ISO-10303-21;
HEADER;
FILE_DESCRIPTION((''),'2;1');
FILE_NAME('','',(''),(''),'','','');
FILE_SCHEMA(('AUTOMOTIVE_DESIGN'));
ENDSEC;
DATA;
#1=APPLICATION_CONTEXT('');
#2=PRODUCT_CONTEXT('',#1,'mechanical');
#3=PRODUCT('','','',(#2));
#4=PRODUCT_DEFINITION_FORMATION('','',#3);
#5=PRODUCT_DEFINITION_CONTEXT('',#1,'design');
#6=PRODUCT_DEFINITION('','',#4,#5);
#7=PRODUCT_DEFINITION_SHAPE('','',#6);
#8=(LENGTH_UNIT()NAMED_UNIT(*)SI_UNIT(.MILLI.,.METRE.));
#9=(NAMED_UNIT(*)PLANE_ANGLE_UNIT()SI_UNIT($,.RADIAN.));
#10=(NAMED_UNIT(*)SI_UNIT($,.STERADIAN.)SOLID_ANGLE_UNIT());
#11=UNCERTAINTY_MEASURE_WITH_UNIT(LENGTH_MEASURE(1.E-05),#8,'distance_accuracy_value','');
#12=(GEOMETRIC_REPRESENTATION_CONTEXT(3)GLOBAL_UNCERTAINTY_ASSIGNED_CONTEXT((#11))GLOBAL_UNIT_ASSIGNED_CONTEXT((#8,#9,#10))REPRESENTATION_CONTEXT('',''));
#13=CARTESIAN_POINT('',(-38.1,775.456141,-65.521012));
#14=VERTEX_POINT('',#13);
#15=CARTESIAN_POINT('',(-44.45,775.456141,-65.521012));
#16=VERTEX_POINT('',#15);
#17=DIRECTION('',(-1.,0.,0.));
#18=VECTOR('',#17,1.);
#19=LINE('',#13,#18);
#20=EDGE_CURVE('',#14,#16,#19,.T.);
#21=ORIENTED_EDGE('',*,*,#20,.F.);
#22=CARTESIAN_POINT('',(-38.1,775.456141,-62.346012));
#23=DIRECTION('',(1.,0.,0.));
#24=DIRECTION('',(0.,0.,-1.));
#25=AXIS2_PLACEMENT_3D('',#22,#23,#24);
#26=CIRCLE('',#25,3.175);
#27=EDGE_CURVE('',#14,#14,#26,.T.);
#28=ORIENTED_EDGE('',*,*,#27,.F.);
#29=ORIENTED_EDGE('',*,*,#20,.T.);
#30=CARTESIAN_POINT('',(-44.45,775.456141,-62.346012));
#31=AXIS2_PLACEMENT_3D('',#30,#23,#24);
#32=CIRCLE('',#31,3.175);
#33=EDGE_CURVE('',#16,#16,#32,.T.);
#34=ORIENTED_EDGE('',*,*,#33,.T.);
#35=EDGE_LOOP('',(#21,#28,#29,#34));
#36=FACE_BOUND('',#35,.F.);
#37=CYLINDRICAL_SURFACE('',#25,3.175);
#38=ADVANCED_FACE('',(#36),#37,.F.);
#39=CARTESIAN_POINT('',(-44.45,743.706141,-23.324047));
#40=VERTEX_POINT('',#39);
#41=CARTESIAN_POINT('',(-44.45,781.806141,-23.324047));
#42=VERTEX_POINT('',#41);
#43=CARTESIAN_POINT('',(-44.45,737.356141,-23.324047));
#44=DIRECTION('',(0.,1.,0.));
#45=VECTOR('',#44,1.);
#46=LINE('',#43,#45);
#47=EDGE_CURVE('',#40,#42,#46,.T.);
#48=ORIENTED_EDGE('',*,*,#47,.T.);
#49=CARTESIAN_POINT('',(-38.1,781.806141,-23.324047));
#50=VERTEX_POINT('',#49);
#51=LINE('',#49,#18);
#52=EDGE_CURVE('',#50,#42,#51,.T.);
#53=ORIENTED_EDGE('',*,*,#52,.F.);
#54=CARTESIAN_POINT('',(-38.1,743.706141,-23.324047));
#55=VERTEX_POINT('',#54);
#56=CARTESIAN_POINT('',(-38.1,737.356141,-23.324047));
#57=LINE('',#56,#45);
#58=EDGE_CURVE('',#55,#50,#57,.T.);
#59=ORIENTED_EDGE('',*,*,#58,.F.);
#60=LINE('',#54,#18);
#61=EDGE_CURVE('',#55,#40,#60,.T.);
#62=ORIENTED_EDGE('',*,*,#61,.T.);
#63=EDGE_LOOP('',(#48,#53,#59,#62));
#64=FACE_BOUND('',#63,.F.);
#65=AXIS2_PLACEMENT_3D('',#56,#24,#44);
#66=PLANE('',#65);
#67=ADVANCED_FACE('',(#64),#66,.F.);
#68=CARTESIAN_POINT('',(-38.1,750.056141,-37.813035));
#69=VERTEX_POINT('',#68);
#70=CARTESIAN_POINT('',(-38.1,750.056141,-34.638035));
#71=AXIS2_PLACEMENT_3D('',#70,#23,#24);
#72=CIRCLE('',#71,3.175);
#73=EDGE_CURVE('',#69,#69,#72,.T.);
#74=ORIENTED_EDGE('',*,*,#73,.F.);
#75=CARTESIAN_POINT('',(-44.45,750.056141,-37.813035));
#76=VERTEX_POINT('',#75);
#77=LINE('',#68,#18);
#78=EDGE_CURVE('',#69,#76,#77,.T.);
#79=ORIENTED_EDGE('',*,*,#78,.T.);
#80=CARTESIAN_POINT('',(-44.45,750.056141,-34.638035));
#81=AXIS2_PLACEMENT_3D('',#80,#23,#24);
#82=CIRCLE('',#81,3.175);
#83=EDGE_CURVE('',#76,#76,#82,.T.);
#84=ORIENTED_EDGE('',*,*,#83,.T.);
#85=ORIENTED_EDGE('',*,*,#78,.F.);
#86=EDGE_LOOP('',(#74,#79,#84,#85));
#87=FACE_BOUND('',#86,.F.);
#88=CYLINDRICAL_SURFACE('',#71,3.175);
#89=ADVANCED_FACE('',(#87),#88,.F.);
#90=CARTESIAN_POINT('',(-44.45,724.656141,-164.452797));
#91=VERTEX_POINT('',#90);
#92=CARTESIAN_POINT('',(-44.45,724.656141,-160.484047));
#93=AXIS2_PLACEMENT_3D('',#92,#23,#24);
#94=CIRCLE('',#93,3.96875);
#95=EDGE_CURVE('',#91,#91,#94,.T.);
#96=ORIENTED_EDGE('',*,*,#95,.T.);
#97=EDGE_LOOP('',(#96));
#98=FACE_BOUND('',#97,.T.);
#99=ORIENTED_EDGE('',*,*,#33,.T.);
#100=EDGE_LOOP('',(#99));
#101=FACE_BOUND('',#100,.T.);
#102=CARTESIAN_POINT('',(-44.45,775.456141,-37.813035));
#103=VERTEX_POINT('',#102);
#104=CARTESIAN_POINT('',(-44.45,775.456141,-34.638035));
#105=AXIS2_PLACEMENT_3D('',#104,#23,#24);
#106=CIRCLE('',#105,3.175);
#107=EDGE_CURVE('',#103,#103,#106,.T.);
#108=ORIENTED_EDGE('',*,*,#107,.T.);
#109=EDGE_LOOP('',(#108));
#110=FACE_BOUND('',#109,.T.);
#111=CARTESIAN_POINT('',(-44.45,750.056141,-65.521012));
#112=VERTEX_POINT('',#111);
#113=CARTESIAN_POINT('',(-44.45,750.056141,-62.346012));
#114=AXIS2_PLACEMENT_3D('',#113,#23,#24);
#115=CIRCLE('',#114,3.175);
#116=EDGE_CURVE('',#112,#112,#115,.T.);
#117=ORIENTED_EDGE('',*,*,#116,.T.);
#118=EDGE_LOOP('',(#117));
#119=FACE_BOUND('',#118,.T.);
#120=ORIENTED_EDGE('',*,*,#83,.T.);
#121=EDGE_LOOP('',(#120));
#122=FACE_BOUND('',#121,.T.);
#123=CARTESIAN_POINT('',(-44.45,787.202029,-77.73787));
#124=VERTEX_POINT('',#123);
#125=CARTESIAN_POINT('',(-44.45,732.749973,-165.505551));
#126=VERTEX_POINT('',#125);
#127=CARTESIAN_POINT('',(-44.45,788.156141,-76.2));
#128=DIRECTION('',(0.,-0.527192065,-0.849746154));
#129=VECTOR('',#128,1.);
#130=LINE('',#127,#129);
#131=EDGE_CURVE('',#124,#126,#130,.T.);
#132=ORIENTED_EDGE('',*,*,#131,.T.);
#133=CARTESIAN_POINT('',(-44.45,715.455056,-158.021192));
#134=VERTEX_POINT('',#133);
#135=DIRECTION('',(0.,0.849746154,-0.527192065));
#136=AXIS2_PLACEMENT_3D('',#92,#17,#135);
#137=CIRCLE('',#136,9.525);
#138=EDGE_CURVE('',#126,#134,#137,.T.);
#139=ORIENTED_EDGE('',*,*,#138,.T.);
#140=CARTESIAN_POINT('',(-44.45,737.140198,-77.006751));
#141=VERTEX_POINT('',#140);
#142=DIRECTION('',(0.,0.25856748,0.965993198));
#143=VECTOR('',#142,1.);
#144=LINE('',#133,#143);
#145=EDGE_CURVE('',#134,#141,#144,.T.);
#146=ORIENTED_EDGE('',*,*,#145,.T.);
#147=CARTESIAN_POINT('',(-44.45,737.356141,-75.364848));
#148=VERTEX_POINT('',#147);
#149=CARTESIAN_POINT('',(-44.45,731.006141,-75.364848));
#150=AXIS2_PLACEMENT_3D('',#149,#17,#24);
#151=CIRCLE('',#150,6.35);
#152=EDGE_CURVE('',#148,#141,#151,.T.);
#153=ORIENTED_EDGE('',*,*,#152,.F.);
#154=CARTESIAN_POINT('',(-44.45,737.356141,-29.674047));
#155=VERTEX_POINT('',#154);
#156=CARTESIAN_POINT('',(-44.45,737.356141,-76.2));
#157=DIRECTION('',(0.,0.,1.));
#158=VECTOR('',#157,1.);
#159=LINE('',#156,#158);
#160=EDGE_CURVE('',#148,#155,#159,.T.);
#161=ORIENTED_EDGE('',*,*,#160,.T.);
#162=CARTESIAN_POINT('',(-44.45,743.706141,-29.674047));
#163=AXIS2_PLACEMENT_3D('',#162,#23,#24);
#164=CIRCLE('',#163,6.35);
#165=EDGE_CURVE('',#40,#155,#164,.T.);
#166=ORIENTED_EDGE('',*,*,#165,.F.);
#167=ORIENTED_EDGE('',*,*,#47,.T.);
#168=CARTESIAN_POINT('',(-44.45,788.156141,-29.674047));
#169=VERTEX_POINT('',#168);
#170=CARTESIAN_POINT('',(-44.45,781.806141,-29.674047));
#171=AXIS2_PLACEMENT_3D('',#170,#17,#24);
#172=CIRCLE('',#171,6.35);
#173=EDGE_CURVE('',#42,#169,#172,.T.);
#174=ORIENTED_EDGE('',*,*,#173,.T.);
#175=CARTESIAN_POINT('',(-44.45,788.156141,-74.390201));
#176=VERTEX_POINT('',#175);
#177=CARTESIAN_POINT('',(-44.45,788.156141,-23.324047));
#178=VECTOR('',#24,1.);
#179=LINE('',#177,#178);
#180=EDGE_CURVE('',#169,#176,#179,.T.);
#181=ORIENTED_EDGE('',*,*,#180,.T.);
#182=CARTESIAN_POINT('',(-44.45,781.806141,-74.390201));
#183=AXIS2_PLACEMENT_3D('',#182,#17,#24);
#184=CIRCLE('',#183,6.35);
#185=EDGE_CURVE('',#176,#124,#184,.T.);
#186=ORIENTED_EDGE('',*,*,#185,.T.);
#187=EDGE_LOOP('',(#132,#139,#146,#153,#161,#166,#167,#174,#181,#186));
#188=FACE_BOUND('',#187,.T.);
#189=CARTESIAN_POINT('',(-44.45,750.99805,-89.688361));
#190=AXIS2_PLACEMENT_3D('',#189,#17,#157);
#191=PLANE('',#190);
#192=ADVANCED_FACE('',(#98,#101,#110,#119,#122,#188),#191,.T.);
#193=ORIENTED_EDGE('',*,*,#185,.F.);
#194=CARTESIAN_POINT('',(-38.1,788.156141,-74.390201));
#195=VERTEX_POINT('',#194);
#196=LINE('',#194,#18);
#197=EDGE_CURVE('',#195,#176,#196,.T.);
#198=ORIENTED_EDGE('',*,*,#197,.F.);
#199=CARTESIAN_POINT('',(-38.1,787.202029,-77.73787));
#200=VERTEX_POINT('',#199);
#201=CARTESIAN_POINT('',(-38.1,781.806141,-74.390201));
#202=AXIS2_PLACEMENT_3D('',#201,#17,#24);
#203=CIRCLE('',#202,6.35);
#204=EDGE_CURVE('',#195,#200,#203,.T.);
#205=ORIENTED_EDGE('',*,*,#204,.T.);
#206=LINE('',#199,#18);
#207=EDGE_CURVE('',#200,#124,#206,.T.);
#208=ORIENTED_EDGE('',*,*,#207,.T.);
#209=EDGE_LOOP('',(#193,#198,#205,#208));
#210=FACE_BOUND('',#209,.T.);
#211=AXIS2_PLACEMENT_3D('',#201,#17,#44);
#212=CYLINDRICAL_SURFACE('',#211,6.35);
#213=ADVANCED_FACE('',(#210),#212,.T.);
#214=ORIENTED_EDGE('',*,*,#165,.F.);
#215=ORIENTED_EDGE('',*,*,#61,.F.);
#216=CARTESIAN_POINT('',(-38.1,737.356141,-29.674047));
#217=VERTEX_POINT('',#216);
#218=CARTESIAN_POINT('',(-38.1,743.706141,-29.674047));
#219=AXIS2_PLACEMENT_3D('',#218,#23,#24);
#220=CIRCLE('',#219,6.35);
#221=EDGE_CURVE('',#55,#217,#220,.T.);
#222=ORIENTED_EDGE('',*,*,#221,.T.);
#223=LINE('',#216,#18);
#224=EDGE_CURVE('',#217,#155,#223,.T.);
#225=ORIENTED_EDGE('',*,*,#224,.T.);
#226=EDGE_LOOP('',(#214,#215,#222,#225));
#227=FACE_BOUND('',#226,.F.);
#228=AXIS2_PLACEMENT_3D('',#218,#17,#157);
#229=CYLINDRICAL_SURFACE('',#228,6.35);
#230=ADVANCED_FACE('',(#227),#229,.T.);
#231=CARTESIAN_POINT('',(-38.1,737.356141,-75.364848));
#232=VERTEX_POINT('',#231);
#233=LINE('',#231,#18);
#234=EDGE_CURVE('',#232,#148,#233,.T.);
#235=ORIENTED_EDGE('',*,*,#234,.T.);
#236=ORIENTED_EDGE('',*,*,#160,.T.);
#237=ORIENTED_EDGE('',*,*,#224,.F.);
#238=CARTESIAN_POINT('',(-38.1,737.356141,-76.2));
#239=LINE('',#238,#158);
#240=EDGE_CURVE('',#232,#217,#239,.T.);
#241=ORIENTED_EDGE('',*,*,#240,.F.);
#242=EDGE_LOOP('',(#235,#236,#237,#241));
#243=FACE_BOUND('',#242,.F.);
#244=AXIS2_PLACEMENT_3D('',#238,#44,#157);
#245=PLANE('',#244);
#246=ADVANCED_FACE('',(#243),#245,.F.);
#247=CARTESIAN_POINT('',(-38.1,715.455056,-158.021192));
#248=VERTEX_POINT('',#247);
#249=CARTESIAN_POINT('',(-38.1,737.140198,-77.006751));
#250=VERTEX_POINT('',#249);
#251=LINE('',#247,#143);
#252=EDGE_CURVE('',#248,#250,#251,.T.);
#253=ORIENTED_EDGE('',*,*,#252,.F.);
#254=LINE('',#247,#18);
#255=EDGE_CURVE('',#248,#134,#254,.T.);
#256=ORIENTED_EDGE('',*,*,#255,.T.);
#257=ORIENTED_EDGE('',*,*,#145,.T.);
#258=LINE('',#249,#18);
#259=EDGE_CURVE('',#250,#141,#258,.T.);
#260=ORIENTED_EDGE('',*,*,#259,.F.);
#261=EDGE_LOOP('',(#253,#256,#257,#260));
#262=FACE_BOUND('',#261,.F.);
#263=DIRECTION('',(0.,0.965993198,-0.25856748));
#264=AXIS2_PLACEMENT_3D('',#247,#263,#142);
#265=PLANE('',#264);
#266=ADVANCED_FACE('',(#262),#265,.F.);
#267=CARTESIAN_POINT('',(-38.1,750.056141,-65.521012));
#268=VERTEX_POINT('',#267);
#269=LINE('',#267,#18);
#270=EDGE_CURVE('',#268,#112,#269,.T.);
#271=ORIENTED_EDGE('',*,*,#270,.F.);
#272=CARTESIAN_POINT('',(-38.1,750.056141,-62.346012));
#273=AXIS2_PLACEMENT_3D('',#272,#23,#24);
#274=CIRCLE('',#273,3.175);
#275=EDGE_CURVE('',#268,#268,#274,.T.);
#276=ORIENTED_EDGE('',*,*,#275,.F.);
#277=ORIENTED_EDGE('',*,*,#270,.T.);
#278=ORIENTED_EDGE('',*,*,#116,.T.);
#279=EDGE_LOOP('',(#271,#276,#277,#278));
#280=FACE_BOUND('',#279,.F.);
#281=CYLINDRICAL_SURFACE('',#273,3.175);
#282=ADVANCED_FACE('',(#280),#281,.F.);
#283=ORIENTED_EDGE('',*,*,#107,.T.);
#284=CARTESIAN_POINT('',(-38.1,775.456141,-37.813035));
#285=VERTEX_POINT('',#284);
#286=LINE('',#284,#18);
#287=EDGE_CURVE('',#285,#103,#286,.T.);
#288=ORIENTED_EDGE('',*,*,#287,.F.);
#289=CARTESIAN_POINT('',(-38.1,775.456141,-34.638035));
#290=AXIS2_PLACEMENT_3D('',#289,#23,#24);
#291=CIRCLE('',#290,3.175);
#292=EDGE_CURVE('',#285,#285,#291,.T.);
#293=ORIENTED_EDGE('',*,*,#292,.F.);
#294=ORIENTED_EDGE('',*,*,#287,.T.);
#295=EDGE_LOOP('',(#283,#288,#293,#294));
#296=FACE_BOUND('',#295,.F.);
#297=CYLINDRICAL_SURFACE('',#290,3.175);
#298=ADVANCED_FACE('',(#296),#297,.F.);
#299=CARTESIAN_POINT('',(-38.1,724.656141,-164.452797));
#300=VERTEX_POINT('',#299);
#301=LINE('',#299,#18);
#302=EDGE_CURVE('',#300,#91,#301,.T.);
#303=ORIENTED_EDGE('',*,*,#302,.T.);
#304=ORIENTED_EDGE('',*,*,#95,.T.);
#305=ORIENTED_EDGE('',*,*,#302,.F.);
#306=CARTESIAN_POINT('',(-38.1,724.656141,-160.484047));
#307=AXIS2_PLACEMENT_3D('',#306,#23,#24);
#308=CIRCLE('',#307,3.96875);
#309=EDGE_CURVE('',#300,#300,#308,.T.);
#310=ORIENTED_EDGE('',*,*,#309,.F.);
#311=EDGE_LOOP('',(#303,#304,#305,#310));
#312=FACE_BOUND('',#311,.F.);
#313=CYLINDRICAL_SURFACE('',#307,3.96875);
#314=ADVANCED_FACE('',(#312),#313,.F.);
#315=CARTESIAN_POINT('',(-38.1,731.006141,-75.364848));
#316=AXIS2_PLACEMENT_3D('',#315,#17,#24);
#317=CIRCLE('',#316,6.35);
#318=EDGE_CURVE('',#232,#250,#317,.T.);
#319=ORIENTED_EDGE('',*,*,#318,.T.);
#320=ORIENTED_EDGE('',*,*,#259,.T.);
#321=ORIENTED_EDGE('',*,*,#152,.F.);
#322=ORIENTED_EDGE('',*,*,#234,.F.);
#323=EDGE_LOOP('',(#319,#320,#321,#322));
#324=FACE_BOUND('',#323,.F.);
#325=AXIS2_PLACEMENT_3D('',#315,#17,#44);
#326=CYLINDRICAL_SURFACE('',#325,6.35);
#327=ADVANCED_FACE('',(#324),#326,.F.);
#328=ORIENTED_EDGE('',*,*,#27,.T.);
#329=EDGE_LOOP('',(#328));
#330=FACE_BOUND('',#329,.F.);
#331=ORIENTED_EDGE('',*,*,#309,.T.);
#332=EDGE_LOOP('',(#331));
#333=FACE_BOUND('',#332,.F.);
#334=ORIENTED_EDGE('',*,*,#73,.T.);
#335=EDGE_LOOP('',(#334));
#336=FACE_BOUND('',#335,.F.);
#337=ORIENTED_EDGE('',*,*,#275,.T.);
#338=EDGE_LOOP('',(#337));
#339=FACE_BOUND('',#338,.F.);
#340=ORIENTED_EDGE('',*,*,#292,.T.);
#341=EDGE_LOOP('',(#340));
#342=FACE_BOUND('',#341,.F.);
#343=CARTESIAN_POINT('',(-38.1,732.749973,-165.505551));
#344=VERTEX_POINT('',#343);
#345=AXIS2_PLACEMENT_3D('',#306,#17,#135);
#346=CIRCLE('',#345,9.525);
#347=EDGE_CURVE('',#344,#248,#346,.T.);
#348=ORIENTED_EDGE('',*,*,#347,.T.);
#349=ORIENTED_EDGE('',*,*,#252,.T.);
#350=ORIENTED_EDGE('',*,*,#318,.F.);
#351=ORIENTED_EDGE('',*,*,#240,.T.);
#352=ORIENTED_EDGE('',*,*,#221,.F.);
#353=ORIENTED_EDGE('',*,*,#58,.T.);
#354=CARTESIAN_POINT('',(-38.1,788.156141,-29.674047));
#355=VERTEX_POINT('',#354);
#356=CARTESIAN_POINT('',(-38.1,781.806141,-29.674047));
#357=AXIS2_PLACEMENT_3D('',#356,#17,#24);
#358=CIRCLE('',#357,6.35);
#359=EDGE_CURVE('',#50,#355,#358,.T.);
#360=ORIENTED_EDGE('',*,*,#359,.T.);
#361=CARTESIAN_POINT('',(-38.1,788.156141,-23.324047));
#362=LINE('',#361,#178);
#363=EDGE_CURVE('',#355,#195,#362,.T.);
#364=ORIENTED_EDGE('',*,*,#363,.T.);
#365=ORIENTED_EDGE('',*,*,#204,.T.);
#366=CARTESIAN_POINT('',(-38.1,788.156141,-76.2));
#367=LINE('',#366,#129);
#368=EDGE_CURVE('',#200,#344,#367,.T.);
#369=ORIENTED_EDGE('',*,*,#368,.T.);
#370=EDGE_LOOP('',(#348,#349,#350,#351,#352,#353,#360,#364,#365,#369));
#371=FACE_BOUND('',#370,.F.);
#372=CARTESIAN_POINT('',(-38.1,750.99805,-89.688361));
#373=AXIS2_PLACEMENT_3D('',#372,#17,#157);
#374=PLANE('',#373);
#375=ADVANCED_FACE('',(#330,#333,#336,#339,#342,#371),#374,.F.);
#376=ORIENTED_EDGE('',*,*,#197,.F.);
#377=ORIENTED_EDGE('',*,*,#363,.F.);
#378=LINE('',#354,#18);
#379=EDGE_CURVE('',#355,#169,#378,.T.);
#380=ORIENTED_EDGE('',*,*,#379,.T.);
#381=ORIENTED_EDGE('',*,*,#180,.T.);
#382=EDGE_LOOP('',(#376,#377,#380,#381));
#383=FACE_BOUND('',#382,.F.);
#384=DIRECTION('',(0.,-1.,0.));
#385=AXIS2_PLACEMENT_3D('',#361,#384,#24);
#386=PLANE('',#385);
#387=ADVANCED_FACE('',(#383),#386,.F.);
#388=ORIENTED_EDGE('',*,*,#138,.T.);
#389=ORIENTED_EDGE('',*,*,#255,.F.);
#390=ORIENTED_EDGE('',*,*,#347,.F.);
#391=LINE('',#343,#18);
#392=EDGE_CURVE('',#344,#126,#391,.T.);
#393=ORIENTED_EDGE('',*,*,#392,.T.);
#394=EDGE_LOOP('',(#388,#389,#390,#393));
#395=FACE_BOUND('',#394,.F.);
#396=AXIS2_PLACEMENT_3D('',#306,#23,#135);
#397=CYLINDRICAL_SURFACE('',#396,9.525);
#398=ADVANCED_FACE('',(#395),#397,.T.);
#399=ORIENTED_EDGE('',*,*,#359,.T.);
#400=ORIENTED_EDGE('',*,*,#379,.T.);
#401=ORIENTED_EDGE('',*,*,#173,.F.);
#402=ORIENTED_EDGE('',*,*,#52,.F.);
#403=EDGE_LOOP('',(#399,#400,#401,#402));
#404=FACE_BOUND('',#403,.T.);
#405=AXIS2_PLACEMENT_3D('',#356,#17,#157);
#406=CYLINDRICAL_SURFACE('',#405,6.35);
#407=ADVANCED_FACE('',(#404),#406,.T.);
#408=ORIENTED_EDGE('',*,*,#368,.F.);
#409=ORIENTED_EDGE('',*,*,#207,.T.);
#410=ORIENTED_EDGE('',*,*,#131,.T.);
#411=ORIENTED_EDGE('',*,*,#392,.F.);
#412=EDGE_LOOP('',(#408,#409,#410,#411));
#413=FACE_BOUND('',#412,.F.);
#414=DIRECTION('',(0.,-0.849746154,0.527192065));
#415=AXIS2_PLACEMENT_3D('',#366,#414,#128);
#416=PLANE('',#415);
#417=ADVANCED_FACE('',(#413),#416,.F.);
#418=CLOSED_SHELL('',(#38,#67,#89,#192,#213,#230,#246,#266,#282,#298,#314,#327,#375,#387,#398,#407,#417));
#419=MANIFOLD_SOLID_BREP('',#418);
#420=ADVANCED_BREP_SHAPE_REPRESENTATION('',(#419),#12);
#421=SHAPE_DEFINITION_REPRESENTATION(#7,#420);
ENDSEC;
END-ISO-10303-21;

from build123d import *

# Parameters (mm, degrees)
BOSS_EXTRUDE1_START = -38.1
SKETCH1_R           = 3.968749999
SKETCH1_R_2         = 3.175
SKETCH1_R_3         = 3.174999999
BOSS_EXTRUDE1_DEPTH = 6.35
FILLET1_R           = 6.35


with BuildPart() as part:
    # Sketch1 → Boss-Extrude1 (new body)
    with BuildSketch(Plane(origin=(0, 0, 0), x_dir=(0, 0, -1), z_dir=(1, 0, 0)).offset(BOSS_EXTRUDE1_START)):
        with BuildLine():
            Line((23.324046982, 737.356140976), (23.324046982, 788.156140976))
            Line((23.324046982, 788.156140976), (76.2, 788.156140976))
            Line((76.2, 788.156140976), (165.505551403, 732.749973094))
            ThreePointArc((165.505551403, 732.749973094), (169.225626516, 720.873230423), (158.021191738, 715.455055766))
            Line((158.021191738, 715.455055766), (76.2, 737.356140976))
            Line((76.2, 737.356140976), (23.324046982, 737.356140976))
        make_face()
        with Locations((160.484046982, 724.656140976)):
            Circle(SKETCH1_R, mode=Mode.SUBTRACT)
        with Locations((62.346011746, 750.056140976)):
            Circle(SKETCH1_R_2, mode=Mode.SUBTRACT)
        with Locations((34.638035237, 750.056140976)):
            Circle(SKETCH1_R_3, mode=Mode.SUBTRACT)
        with Locations((34.638035237, 775.456140976)):
            Circle(SKETCH1_R_3, mode=Mode.SUBTRACT)
        with Locations((62.346011746, 775.456140976)):
            Circle(SKETCH1_R_2, mode=Mode.SUBTRACT)
    extrude(amount=-BOSS_EXTRUDE1_DEPTH)

    # Fillet1
    fillet1_edges = [part.edges().sort_by_distance(p)[0] for p in [
        (-41.275, 788.156140976, -76.2),
        (-41.275, 788.156140976, -23.324046982),
        (-41.275, 737.356140976, -23.324046982),
        (-41.275, 737.356140976, -76.2),
    ]]
    fillet(fillet1_edges, radius=FILLET1_R)


solid = part.part
